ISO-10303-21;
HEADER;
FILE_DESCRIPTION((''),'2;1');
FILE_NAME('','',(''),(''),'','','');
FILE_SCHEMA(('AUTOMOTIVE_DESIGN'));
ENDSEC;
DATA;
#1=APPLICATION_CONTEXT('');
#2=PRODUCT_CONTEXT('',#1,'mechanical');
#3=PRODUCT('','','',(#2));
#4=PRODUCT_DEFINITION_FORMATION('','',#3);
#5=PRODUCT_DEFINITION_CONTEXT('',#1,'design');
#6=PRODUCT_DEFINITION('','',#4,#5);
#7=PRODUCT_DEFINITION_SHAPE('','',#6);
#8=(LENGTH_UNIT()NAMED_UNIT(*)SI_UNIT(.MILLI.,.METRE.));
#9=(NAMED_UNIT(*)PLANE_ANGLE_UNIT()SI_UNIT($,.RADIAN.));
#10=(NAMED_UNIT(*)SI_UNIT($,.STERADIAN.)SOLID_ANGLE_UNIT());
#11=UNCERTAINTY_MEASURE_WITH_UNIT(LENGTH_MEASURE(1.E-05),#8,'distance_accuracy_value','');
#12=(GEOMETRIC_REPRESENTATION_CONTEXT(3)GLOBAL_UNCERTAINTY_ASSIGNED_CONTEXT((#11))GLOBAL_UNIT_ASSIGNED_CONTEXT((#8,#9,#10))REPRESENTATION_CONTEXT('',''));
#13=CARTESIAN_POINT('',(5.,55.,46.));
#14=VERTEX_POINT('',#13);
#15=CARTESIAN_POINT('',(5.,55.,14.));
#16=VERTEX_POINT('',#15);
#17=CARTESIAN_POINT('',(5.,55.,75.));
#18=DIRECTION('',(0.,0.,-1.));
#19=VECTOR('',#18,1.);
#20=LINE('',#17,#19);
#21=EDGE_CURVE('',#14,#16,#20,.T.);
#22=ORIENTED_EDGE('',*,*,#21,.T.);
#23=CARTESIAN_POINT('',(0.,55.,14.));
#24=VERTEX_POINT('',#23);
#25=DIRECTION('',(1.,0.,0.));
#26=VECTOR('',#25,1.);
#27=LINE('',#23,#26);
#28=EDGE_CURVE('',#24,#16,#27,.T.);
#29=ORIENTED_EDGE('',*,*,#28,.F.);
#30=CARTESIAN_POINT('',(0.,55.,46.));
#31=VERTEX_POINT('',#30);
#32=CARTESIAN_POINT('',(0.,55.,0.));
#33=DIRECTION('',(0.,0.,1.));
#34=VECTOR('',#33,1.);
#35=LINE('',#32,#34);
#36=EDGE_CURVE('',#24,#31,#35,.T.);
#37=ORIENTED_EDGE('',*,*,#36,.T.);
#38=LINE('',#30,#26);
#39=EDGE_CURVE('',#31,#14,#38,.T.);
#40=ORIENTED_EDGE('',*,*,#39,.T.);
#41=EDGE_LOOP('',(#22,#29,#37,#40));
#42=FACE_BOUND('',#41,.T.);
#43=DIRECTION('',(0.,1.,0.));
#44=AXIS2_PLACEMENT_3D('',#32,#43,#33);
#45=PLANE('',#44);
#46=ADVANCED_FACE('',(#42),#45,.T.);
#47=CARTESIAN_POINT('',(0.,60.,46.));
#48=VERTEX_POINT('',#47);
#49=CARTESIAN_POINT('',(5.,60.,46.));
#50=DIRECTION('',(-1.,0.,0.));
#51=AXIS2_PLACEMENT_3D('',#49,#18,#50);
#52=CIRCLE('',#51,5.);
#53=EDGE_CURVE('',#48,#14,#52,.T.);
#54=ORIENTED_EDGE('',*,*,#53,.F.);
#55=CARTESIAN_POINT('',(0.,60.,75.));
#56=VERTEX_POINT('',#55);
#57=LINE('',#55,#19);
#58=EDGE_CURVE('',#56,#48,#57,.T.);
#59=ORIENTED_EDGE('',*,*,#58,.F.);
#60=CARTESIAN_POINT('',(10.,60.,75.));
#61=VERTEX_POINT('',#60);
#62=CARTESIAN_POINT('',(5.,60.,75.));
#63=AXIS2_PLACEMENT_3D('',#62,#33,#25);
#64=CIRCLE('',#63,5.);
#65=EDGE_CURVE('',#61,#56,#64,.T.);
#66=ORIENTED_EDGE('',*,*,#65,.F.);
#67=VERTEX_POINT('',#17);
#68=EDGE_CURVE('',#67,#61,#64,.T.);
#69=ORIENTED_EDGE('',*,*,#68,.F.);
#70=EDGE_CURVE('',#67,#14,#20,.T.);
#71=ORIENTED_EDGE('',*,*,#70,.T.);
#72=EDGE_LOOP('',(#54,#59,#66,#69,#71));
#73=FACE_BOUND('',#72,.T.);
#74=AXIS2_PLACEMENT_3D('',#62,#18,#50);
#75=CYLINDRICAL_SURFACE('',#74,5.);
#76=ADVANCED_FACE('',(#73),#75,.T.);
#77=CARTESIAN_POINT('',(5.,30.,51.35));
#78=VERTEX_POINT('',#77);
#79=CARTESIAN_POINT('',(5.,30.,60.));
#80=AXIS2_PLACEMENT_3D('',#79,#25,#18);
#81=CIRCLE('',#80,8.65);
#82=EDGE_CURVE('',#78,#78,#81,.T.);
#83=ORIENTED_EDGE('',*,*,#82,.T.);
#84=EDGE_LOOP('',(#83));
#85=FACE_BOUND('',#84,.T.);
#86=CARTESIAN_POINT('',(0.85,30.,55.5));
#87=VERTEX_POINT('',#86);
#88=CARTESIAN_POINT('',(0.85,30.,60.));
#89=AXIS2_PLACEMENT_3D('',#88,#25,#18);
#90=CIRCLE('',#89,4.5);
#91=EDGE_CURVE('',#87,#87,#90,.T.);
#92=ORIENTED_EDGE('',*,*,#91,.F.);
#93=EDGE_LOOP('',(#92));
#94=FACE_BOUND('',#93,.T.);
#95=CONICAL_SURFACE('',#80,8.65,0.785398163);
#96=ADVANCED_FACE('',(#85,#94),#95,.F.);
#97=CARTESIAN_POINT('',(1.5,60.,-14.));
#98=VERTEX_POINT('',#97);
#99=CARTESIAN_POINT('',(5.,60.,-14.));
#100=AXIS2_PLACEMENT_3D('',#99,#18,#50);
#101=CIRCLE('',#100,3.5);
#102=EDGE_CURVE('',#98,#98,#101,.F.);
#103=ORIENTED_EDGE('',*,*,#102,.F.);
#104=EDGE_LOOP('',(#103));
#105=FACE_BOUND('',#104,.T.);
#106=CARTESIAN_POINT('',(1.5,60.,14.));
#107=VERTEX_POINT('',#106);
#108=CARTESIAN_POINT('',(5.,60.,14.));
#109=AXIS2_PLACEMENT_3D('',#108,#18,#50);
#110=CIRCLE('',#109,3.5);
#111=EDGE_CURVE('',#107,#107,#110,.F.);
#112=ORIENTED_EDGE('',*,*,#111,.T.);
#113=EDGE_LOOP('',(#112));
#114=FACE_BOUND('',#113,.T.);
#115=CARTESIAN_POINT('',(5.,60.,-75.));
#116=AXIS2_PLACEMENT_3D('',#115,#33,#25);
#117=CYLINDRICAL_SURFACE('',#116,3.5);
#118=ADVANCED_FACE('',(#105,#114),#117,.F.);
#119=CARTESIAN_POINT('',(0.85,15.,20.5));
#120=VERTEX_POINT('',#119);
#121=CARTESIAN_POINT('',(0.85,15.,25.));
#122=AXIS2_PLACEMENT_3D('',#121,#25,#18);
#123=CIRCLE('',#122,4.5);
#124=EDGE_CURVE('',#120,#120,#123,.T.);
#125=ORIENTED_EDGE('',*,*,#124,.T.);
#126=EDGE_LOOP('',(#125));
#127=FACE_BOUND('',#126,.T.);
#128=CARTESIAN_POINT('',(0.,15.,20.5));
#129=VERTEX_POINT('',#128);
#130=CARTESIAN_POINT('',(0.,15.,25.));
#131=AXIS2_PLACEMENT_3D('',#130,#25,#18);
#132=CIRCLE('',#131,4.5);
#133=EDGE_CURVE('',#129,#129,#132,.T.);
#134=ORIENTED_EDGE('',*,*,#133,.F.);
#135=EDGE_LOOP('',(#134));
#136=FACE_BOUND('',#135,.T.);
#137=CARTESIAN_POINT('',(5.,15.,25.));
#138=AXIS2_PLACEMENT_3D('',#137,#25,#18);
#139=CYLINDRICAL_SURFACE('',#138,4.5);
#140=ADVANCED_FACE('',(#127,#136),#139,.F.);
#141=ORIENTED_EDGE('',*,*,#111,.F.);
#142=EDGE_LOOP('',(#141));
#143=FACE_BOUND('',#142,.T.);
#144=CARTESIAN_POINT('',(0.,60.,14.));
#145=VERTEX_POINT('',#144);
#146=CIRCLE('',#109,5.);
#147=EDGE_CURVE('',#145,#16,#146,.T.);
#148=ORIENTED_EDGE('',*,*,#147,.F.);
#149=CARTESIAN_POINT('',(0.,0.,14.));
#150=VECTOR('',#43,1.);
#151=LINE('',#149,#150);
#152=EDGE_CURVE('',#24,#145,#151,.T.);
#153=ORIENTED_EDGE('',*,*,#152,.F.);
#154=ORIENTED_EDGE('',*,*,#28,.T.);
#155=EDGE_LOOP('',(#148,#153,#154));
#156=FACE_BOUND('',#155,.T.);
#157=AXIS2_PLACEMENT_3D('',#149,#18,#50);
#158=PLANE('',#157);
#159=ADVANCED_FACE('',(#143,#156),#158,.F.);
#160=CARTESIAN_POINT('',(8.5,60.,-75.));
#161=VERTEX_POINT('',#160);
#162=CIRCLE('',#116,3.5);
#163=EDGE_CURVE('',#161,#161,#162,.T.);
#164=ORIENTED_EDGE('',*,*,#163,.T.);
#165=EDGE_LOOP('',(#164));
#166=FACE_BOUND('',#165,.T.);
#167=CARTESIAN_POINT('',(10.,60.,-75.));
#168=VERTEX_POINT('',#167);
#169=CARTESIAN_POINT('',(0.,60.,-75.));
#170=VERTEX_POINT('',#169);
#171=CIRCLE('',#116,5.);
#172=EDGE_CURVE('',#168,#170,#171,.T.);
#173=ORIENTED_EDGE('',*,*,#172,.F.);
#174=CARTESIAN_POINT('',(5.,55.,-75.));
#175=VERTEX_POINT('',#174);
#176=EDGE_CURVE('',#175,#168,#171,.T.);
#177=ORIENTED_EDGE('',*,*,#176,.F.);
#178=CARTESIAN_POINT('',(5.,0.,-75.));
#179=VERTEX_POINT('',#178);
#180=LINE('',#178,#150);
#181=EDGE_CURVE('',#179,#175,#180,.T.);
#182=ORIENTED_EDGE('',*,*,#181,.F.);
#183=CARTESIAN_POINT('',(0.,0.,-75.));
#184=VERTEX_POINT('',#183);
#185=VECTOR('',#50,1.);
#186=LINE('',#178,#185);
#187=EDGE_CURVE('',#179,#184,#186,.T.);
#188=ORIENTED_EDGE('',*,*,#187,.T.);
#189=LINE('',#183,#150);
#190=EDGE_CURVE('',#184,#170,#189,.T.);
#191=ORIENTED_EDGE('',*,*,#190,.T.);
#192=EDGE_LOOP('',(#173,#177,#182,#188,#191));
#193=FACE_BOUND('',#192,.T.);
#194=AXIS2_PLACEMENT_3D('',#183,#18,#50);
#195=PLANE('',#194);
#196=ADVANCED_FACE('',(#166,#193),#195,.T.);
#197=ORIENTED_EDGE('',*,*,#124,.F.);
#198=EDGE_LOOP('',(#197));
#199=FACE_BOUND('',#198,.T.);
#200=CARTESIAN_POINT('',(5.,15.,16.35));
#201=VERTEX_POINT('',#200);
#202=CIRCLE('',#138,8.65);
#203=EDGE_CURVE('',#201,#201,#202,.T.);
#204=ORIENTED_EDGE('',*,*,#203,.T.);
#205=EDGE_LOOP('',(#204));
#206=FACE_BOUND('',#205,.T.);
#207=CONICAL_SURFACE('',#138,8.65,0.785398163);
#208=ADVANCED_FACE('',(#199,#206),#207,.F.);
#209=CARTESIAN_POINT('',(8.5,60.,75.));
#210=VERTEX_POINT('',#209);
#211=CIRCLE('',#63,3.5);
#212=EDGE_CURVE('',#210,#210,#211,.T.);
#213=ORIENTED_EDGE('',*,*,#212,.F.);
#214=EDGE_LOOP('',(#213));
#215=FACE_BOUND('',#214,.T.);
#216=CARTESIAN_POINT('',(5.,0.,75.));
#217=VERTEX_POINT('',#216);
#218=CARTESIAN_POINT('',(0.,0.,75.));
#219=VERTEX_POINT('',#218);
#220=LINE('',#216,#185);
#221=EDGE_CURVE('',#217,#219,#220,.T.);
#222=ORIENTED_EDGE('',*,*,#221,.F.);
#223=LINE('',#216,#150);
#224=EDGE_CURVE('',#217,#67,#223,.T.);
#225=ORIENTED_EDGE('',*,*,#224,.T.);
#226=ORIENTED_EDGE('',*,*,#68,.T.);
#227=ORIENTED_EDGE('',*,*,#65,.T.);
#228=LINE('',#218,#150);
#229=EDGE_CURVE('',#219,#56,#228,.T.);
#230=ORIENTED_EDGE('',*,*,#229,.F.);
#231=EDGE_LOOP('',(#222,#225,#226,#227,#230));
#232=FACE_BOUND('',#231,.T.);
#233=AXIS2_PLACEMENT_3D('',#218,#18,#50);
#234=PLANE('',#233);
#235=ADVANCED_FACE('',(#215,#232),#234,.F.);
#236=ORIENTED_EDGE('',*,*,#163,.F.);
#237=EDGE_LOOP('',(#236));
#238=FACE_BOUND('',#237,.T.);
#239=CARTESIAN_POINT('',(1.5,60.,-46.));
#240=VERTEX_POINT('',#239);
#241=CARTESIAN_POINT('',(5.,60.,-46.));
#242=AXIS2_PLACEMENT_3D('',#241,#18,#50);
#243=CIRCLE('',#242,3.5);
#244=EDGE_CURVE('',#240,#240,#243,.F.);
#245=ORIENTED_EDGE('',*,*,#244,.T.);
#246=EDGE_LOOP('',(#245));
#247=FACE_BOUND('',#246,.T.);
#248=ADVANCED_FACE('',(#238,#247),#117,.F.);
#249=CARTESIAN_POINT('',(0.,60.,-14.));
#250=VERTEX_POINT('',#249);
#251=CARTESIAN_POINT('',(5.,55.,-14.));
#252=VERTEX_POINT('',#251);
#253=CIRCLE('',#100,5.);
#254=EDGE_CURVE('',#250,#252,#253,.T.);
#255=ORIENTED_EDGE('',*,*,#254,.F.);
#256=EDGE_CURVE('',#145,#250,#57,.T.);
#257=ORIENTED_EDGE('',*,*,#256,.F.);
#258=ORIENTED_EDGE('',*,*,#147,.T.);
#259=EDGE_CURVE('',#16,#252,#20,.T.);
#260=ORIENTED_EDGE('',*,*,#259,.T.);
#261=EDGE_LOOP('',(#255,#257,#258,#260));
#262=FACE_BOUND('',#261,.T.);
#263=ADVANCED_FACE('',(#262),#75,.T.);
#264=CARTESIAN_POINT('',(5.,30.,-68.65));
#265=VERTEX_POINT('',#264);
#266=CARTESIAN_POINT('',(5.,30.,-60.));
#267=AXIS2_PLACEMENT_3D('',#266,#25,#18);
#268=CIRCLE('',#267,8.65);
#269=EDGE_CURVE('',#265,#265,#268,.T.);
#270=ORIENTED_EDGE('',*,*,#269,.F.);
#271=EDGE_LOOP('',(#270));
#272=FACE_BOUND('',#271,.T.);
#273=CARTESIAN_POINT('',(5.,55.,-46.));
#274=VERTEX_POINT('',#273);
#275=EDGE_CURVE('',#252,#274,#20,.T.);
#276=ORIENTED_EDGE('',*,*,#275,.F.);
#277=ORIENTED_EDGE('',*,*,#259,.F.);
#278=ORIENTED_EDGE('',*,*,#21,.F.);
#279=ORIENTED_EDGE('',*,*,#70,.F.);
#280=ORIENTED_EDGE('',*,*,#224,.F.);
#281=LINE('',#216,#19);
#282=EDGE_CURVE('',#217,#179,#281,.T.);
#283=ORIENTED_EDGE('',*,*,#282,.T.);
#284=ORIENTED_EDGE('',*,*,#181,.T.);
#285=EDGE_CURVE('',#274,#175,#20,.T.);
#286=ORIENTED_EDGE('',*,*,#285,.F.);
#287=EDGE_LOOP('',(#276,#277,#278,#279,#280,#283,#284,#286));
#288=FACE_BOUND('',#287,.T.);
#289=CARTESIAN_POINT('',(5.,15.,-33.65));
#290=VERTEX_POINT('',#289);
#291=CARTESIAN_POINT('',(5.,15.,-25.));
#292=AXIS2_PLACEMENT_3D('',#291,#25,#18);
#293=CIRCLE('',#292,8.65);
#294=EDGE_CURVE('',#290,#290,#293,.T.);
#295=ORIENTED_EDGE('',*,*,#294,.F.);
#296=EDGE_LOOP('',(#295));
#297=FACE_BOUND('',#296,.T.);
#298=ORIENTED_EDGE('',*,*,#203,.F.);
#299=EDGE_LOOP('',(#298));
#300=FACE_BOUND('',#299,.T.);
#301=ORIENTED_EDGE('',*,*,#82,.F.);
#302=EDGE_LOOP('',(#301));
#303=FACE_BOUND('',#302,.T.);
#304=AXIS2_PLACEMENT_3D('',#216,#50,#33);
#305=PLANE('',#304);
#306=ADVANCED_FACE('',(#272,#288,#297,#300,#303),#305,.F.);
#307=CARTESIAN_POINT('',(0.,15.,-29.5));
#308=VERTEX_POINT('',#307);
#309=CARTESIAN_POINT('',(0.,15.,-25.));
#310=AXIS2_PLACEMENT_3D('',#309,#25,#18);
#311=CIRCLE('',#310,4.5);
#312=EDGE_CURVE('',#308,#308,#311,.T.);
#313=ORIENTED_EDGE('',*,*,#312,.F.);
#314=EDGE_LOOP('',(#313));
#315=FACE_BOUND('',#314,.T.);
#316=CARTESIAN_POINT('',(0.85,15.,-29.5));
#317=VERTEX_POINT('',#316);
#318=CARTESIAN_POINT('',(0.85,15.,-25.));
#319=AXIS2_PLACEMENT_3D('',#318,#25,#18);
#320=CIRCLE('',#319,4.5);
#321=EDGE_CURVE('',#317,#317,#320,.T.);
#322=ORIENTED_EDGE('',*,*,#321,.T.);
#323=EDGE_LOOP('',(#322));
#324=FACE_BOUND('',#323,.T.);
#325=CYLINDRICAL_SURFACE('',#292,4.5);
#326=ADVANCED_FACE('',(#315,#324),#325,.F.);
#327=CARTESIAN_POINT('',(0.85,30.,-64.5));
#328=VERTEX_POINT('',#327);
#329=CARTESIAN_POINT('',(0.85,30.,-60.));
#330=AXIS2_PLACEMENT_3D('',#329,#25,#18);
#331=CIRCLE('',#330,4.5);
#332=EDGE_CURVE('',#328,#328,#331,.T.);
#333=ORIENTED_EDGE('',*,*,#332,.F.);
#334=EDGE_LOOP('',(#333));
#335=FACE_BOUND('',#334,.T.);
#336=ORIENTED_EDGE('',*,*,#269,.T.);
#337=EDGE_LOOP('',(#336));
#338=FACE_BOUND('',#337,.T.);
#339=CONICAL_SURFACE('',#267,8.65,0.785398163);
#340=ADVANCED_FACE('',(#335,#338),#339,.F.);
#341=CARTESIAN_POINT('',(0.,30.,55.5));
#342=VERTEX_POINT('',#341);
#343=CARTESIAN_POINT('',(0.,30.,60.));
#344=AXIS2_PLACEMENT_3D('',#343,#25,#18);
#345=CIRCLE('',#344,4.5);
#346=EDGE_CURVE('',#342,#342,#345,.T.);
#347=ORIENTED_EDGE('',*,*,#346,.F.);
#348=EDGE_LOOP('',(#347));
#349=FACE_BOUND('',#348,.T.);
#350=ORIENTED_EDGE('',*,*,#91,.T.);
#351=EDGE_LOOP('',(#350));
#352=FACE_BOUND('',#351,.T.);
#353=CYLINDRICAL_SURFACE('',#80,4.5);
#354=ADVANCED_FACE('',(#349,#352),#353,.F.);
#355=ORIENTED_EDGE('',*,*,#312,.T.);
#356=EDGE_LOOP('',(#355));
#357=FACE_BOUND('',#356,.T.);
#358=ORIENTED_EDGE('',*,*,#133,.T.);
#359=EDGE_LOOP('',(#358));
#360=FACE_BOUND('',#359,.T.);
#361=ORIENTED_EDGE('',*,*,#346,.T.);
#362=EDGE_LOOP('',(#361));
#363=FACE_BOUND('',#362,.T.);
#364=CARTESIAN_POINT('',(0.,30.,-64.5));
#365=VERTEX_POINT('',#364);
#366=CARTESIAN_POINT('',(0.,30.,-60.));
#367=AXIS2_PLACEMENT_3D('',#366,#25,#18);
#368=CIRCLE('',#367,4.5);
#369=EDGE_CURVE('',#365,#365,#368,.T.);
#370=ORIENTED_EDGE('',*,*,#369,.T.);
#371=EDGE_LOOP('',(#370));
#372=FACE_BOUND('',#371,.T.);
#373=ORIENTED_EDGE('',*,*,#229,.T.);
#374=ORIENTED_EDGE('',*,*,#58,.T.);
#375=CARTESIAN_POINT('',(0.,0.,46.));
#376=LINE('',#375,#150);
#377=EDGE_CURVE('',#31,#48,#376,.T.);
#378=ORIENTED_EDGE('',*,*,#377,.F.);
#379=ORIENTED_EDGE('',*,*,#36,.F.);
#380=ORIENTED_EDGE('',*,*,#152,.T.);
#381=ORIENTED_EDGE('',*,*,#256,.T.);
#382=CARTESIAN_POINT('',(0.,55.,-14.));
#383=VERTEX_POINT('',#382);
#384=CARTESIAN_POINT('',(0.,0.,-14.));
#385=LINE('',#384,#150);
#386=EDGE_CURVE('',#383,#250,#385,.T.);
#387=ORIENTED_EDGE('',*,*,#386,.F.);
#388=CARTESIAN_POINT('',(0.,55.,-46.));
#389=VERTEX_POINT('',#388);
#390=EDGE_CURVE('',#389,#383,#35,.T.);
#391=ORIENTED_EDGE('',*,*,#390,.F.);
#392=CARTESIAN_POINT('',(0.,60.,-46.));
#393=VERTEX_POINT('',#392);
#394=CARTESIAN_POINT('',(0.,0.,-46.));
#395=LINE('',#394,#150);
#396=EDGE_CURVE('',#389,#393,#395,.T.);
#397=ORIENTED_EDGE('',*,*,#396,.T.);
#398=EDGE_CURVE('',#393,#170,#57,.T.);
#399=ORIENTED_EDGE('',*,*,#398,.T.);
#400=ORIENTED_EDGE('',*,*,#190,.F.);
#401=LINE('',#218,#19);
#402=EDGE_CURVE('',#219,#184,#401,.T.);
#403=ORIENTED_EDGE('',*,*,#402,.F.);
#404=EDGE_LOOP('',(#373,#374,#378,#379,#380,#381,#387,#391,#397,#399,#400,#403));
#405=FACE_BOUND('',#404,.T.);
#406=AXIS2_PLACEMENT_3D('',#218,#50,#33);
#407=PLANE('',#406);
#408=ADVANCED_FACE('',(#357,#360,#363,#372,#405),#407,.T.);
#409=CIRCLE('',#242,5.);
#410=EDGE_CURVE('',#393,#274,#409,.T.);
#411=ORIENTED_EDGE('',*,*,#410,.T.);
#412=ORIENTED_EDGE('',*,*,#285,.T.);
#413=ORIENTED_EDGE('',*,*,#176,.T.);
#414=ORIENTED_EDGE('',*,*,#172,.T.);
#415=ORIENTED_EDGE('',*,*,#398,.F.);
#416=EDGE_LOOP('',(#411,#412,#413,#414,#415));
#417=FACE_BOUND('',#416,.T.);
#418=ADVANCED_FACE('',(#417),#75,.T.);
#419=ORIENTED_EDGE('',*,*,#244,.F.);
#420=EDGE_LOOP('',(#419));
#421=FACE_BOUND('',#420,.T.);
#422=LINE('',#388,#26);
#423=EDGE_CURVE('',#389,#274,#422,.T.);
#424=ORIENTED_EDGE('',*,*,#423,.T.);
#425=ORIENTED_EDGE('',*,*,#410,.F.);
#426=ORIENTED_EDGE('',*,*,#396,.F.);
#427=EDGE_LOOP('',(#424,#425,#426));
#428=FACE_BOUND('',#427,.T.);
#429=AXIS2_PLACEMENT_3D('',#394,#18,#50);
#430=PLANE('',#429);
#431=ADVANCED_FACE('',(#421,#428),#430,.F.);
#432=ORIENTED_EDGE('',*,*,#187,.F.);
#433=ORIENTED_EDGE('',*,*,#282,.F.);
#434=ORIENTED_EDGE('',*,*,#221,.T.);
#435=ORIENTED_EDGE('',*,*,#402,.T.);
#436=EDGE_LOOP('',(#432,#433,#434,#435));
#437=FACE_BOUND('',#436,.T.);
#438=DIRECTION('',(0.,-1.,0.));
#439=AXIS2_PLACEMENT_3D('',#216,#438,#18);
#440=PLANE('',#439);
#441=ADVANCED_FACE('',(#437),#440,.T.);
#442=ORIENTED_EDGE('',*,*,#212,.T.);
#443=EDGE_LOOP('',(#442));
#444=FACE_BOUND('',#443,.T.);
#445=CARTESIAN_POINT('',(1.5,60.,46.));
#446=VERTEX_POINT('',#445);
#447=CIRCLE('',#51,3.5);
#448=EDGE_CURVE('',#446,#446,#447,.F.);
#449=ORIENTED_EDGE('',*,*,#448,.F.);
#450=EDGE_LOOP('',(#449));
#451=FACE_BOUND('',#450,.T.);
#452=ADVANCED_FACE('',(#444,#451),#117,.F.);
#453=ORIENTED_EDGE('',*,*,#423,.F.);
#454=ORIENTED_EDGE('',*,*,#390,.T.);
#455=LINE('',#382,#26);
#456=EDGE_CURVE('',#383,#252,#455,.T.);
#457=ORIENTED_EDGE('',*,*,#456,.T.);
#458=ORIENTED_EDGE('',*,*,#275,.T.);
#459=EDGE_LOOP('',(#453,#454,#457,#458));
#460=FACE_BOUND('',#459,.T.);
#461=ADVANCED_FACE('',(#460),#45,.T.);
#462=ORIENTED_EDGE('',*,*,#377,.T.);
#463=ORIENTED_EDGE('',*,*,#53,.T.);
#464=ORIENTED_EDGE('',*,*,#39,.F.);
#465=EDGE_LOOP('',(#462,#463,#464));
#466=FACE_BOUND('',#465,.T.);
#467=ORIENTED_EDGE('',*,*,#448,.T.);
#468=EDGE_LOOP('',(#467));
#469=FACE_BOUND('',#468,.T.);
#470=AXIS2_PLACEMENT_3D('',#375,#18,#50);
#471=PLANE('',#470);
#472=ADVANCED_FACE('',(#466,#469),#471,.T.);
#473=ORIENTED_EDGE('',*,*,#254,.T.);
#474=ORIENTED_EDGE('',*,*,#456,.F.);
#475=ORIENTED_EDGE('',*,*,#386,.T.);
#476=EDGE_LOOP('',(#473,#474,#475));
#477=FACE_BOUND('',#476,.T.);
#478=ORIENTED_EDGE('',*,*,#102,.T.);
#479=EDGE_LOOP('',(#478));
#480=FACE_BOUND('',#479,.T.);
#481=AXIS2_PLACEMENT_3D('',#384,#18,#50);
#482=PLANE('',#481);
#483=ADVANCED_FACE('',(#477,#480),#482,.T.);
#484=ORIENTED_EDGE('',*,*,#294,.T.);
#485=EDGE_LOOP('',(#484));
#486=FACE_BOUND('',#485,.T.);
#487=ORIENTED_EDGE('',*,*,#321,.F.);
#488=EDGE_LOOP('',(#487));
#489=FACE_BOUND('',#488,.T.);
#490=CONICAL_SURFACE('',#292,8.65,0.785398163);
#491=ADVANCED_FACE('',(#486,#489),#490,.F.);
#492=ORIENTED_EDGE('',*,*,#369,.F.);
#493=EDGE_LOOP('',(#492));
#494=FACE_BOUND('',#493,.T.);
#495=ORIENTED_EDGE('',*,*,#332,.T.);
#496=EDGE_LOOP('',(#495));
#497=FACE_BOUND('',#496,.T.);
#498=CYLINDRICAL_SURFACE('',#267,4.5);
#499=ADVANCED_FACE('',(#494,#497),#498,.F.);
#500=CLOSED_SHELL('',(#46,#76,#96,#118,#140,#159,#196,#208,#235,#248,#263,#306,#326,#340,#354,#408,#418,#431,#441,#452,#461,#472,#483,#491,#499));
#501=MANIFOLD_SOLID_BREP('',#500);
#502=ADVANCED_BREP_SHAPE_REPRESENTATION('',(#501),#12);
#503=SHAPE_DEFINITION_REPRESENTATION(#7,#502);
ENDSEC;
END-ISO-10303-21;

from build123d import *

# Parameters (mm, degrees)
SKETCH1_W                                      = 5
SKETCH1_H                                      = 60
EXTRUDE_THIN1_DEPTH                            = 75
SKETCH2_R                                      = 5
SKETCH3_R                                      = 3.5
CUT_EXTRUDE1_DEPTH                             = 164.783393542
CSK_FOR_M8_FLAT_HEAD_MACHINE_SCREW1_AT_2_COUNT = 2
CSK_FOR_M8_FLAT_HEAD_MACHINE_SCREW1_AT_2_PITCH = 38.078865529
F_2CUTS_DEPTH                                  = 100.373034572
F_2CUTS_DEPTH_BACK                             = 100.373034572
SKETCH8_W                                      = 32
SKETCH8_H                                      = 10


with BuildPart() as part:
    # Sketch1 → Extrude-Thin1 (new, symmetric)
    with BuildSketch(Plane.XY):
        with Locations((2.5, 30)):
            Rectangle(SKETCH1_W, SKETCH1_H)
    extrude(amount=EXTRUDE_THIN1_DEPTH, both=True)

    # Sweep1: sweep along a curve in space
    with BuildLine() as sweep1_path:
        Line((5, 60, 75), (5, 60, -75))
    # Sketch2 → Sweep1 (sweep)
    with BuildSketch(Plane.XY.offset(75)):
        with Locations((5, 60)):
            Circle(SKETCH2_R)
    sweep(path=sweep1_path.line)

    # Sketch3 → Cut-Extrude1 (cut, through all)
    with BuildSketch(Plane.XY.offset(75)):
        with Locations((5, 60)):
            Circle(SKETCH3_R)
    extrude(amount=-CUT_EXTRUDE1_DEPTH, mode=Mode.SUBTRACT)

    # Sketch5 → CSK for M8 Flat Head Machine Screw1 (revolve, cut)
    with BuildSketch(Plane(origin=(5, 15, 25), x_dir=(0, 0, -1), z_dir=(0, 1, 0))):
        Polygon((0, 0), (0, 5), (4.5, 5), (4.5, 4.15), (8.65, 0), align=None)
    csk_for_m8_flat_head_machine_screw1 = revolve(axis=Axis((11.35, 15, 25), (-1, 0, 0)), mode=Mode.SUBTRACT)

    # CSK for M8 Flat Head Machine Screw1 at 2: CSK for M8 Flat Head Machine Screw1 ×2
    with Locations(*[Vector(0, 0.3939192985791676, 0.9191450300180579) * (i * CSK_FOR_M8_FLAT_HEAD_MACHINE_SCREW1_AT_2_PITCH) for i in range(1, CSK_FOR_M8_FLAT_HEAD_MACHINE_SCREW1_AT_2_COUNT)]):
        add(csk_for_m8_flat_head_machine_screw1, mode=Mode.SUBTRACT)

    # Mirror1: CSK for M8 Flat Head Machine Screw1 across plane
    add(csk_for_m8_flat_head_machine_screw1.mirror(Plane.XY), mode=Mode.SUBTRACT)

    # Mirror1 copy 1 sketch → Mirror1 copy 1 (revolve, cut)
    with BuildSketch(Plane(origin=(5, 30, -60), x_dir=(0, 0, 1), z_dir=(0, 1, 0))):
        Polygon((0, 0), (0, -5), (4.5, -5), (4.5, -4.15), (8.65, 0), align=None)
    revolve(axis=Axis((11.35, 30, -60), (1, 0, 0)), mode=Mode.SUBTRACT)

    # Sketch8 → 2Cuts (cut, two sides: drawn at the far end of the back side and taken through both)
    with BuildSketch(Plane(origin=(5, 0, 0), x_dir=(0, 0, -1), z_dir=(1, 0, 0)).offset(-F_2CUTS_DEPTH_BACK)):
        with Locations((-30, 60)):
            Rectangle(SKETCH8_W, SKETCH8_H)
        with Locations((30, 60)):
            Rectangle(SKETCH8_W, SKETCH8_H)
    extrude(amount=F_2CUTS_DEPTH + F_2CUTS_DEPTH_BACK, mode=Mode.SUBTRACT)


solid = part.part
